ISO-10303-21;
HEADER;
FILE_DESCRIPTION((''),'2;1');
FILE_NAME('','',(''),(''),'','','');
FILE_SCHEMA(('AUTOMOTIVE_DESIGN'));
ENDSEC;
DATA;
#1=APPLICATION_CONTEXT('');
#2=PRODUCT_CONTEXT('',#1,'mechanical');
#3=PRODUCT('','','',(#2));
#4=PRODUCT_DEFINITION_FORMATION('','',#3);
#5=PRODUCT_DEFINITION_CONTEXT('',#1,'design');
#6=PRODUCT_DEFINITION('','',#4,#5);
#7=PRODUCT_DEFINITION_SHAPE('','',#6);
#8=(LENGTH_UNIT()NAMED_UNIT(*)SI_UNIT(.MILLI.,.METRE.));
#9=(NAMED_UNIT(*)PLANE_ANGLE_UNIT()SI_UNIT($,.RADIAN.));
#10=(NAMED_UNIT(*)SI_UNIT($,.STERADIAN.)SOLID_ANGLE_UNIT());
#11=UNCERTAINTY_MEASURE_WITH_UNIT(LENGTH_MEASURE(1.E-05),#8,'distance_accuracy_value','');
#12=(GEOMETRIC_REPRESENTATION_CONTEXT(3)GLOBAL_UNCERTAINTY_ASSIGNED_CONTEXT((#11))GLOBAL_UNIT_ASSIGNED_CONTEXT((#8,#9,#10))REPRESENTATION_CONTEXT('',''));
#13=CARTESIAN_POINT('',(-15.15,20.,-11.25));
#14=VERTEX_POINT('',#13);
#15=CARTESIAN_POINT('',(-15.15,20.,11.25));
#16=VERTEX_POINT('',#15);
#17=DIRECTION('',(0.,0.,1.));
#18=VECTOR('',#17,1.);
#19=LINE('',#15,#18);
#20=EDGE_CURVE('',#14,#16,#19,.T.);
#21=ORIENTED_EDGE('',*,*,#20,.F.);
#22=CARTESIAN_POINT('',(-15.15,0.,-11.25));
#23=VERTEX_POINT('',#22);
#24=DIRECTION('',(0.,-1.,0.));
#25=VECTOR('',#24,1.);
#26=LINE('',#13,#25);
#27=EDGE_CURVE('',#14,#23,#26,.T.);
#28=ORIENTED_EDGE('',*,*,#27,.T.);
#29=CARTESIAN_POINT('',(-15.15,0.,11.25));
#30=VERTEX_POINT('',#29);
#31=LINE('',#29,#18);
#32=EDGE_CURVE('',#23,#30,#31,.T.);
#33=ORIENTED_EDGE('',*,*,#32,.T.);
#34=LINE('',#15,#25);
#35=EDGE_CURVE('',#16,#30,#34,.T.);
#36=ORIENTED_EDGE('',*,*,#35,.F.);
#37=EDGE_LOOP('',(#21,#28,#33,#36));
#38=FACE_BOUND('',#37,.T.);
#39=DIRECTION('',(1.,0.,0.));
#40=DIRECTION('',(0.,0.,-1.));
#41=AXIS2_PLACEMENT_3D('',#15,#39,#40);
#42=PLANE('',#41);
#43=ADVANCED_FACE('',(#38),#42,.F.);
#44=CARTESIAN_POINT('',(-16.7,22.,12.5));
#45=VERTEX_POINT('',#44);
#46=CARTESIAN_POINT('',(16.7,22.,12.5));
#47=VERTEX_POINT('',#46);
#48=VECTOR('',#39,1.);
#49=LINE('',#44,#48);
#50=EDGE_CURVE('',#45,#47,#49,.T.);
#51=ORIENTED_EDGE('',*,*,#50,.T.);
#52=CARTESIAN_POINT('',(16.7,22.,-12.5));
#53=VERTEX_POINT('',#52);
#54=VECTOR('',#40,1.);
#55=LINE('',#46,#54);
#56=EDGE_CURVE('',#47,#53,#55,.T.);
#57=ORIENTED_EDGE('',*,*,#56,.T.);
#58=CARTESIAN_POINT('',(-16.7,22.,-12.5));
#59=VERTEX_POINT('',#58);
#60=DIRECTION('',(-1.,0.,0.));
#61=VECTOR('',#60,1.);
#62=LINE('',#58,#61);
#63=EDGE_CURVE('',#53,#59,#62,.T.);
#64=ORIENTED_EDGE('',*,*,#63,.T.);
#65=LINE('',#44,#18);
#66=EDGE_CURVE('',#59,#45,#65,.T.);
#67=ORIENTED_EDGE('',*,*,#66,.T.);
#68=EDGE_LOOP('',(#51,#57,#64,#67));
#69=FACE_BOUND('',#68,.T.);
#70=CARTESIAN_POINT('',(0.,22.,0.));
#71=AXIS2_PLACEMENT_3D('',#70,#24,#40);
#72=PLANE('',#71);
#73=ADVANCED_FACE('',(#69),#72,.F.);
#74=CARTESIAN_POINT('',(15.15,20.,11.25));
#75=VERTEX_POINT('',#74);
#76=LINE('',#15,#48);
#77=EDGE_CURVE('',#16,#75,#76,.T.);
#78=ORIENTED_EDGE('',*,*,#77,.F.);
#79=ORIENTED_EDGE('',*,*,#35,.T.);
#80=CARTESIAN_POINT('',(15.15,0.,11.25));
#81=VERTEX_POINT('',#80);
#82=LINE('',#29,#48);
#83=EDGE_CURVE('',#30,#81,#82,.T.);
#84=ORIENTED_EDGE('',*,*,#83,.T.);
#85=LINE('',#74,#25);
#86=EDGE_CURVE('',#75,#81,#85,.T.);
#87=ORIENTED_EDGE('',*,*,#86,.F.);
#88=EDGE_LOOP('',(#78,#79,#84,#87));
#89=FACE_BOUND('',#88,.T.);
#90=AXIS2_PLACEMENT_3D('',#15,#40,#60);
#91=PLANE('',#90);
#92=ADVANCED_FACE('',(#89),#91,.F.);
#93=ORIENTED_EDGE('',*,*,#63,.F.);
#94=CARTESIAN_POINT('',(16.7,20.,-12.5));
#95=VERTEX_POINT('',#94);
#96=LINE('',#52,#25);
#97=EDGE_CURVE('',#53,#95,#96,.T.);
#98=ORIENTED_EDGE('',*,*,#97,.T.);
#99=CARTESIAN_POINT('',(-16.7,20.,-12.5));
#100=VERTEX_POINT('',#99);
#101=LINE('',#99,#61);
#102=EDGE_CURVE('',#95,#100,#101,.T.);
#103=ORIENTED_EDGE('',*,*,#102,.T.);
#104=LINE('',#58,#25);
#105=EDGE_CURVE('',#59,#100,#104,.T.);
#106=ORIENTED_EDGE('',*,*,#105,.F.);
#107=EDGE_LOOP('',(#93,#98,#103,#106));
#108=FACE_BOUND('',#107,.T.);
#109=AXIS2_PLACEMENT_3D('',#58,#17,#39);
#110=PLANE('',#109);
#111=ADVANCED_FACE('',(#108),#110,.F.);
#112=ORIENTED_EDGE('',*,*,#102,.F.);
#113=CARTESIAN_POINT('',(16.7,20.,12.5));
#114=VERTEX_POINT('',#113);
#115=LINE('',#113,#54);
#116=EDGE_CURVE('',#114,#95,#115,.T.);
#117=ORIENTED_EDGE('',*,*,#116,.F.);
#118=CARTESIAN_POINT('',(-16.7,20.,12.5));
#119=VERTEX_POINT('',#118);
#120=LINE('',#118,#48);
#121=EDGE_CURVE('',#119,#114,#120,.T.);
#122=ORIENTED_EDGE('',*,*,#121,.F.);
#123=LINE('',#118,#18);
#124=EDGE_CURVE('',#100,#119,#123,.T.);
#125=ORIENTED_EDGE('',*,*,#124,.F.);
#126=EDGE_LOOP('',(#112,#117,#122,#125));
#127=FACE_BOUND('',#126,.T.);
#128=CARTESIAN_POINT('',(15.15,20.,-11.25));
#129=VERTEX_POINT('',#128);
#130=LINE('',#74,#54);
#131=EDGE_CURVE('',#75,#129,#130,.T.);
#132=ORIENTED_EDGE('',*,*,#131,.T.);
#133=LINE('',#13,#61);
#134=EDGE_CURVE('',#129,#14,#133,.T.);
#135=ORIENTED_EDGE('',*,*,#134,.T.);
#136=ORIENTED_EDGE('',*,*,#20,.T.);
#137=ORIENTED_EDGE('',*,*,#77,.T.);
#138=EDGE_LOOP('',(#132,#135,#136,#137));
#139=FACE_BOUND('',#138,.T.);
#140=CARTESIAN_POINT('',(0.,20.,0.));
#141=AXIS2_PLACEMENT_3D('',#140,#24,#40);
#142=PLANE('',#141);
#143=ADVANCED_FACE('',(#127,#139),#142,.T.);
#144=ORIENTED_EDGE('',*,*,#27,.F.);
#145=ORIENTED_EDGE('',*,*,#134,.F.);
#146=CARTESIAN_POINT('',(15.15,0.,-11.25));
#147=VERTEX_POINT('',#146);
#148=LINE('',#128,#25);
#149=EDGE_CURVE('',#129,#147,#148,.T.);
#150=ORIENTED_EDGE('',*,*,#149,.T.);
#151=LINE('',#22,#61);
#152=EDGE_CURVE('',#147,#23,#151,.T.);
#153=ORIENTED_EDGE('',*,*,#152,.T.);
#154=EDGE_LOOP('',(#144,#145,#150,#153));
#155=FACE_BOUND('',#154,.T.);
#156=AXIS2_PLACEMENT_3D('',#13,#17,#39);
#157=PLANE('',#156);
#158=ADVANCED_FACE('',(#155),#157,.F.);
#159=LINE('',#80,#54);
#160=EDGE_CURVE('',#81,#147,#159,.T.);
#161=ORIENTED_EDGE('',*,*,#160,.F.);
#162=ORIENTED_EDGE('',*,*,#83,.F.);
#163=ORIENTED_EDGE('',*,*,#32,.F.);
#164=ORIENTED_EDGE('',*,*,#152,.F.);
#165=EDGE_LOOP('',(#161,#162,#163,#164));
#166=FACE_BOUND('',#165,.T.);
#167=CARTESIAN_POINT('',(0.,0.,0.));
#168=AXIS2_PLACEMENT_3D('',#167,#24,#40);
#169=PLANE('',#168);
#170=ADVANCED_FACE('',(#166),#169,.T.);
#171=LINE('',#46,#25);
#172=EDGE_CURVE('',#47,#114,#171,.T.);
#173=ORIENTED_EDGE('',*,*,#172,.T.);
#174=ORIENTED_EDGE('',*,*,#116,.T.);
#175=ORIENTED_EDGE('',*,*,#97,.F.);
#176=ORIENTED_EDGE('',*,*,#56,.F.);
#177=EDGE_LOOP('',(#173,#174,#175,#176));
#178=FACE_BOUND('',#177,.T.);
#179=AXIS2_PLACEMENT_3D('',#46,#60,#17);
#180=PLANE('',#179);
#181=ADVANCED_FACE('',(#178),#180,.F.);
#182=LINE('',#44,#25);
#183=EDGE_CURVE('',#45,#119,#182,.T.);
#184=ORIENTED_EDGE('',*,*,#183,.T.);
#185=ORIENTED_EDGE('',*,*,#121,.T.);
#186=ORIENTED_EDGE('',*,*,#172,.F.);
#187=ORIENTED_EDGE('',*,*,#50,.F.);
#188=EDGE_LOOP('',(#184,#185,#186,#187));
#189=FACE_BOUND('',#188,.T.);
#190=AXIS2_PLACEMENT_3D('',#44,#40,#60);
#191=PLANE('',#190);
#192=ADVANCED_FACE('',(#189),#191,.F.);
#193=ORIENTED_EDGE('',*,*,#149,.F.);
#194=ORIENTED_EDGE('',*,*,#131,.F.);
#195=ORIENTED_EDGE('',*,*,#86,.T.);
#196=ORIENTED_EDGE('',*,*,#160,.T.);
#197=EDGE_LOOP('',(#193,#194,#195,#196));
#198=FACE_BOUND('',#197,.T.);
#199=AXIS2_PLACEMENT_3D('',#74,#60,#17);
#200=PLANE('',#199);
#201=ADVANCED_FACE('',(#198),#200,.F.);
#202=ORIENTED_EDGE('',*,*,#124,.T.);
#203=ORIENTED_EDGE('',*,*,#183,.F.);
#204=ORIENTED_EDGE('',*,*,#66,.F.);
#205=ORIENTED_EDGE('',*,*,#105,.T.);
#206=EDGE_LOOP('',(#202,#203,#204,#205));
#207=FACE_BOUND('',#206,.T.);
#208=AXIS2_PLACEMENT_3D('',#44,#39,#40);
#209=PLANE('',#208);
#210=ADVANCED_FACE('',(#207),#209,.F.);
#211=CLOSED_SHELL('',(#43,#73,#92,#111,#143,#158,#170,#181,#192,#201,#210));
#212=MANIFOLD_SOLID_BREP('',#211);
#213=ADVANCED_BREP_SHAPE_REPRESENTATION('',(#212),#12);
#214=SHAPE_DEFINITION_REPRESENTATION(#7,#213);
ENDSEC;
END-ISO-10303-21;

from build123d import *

# Parameters (mm, degrees)
SKETCH1_W           = 30.3
SKETCH1_H           = 22.5
BOSS_EXTRUDE1_DEPTH = 20
SKETCH2_W           = 33.4
SKETCH2_H           = 25
BOSS_EXTRUDE2_DEPTH = 2


with BuildPart() as part:
    # Sketch1 → Boss-Extrude1 (new body)
    with BuildSketch(Plane(origin=(0, 0, 0), x_dir=(1, 0, 0), z_dir=(0, 1, 0))):
        Rectangle(SKETCH1_W, SKETCH1_H)
    extrude(amount=BOSS_EXTRUDE1_DEPTH)

    # Sketch2 → Boss-Extrude2 (add)
    with BuildSketch(Plane(origin=(0, 20, 0), x_dir=(1, 0, 0), z_dir=(0, 1, 0))):
        Rectangle(SKETCH2_W, SKETCH2_H)
    extrude(amount=BOSS_EXTRUDE2_DEPTH)


solid = part.part
